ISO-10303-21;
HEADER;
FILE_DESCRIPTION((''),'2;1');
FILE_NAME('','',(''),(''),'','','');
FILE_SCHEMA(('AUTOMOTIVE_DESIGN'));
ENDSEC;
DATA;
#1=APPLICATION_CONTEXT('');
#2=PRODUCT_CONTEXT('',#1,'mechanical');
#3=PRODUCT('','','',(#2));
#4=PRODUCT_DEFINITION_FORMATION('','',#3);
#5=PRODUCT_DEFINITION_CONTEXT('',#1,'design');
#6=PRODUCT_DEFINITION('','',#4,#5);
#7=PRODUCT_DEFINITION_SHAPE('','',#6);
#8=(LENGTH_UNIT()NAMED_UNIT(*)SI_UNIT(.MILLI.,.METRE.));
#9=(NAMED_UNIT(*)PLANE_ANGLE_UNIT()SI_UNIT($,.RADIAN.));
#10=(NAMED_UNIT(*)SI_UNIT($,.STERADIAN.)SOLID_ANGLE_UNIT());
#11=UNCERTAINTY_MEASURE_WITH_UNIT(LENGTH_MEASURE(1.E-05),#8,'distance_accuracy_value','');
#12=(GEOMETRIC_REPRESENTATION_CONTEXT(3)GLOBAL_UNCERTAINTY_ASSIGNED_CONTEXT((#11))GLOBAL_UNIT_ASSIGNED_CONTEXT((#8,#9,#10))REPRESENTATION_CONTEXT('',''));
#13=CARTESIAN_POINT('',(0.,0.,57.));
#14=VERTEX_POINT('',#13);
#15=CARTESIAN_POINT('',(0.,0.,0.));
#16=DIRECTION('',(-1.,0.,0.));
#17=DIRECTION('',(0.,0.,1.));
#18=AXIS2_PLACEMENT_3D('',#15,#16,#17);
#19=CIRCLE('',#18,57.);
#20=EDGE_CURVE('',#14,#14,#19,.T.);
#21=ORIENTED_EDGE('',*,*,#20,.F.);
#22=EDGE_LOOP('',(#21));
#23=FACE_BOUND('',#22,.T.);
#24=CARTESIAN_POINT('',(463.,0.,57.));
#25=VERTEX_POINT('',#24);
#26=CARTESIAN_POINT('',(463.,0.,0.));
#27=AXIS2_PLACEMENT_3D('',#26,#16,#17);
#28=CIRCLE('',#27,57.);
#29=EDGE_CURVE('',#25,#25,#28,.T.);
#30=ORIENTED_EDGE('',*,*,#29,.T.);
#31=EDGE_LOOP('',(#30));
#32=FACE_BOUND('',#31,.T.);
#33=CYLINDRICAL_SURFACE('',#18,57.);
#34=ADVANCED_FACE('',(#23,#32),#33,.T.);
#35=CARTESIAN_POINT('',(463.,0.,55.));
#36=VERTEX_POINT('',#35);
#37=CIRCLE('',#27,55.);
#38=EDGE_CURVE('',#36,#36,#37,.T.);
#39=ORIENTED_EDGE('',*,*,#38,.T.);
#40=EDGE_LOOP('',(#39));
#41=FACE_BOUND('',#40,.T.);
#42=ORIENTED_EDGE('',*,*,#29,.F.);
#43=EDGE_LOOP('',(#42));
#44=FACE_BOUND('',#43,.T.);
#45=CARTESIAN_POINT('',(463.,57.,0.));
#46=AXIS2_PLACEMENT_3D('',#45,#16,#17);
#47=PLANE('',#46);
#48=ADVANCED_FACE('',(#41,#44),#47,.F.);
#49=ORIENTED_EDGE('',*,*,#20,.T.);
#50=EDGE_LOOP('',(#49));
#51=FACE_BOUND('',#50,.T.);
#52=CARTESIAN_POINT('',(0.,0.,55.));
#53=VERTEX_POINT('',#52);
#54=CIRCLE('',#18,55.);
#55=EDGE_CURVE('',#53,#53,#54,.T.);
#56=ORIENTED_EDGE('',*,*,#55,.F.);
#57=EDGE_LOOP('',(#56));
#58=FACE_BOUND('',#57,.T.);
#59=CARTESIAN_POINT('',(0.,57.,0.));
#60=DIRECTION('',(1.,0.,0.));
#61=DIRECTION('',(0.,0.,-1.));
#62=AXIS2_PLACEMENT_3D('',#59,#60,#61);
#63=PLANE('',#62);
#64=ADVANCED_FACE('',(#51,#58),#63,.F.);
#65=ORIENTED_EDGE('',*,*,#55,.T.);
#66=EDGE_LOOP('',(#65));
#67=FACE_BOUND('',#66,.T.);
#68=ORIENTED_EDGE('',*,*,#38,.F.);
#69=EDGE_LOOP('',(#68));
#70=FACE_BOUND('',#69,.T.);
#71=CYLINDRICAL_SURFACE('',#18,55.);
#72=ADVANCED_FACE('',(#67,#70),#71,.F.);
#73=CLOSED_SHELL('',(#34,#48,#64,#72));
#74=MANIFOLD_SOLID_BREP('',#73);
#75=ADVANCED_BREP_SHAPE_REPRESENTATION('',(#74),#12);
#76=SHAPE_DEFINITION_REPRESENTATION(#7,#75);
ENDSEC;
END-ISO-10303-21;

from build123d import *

# Parameters (mm, degrees)
SKETCH3_W = 463
SKETCH3_H = 2


with BuildPart() as part:
    # Sketch3 → Revolve1 (revolve)
    with BuildSketch(Plane.XY, mode=Mode.PRIVATE) as revolve1_sk:
        with Locations((231.5, 56)):
            Rectangle(SKETCH3_W, SKETCH3_H)
    revolve(revolve1_sk.sketch.rotate(Axis((0, 0, 0), (1, 0, 0)), 90), axis=Axis((0, 0, 0), (1, 0, 0)))


solid = part.part
